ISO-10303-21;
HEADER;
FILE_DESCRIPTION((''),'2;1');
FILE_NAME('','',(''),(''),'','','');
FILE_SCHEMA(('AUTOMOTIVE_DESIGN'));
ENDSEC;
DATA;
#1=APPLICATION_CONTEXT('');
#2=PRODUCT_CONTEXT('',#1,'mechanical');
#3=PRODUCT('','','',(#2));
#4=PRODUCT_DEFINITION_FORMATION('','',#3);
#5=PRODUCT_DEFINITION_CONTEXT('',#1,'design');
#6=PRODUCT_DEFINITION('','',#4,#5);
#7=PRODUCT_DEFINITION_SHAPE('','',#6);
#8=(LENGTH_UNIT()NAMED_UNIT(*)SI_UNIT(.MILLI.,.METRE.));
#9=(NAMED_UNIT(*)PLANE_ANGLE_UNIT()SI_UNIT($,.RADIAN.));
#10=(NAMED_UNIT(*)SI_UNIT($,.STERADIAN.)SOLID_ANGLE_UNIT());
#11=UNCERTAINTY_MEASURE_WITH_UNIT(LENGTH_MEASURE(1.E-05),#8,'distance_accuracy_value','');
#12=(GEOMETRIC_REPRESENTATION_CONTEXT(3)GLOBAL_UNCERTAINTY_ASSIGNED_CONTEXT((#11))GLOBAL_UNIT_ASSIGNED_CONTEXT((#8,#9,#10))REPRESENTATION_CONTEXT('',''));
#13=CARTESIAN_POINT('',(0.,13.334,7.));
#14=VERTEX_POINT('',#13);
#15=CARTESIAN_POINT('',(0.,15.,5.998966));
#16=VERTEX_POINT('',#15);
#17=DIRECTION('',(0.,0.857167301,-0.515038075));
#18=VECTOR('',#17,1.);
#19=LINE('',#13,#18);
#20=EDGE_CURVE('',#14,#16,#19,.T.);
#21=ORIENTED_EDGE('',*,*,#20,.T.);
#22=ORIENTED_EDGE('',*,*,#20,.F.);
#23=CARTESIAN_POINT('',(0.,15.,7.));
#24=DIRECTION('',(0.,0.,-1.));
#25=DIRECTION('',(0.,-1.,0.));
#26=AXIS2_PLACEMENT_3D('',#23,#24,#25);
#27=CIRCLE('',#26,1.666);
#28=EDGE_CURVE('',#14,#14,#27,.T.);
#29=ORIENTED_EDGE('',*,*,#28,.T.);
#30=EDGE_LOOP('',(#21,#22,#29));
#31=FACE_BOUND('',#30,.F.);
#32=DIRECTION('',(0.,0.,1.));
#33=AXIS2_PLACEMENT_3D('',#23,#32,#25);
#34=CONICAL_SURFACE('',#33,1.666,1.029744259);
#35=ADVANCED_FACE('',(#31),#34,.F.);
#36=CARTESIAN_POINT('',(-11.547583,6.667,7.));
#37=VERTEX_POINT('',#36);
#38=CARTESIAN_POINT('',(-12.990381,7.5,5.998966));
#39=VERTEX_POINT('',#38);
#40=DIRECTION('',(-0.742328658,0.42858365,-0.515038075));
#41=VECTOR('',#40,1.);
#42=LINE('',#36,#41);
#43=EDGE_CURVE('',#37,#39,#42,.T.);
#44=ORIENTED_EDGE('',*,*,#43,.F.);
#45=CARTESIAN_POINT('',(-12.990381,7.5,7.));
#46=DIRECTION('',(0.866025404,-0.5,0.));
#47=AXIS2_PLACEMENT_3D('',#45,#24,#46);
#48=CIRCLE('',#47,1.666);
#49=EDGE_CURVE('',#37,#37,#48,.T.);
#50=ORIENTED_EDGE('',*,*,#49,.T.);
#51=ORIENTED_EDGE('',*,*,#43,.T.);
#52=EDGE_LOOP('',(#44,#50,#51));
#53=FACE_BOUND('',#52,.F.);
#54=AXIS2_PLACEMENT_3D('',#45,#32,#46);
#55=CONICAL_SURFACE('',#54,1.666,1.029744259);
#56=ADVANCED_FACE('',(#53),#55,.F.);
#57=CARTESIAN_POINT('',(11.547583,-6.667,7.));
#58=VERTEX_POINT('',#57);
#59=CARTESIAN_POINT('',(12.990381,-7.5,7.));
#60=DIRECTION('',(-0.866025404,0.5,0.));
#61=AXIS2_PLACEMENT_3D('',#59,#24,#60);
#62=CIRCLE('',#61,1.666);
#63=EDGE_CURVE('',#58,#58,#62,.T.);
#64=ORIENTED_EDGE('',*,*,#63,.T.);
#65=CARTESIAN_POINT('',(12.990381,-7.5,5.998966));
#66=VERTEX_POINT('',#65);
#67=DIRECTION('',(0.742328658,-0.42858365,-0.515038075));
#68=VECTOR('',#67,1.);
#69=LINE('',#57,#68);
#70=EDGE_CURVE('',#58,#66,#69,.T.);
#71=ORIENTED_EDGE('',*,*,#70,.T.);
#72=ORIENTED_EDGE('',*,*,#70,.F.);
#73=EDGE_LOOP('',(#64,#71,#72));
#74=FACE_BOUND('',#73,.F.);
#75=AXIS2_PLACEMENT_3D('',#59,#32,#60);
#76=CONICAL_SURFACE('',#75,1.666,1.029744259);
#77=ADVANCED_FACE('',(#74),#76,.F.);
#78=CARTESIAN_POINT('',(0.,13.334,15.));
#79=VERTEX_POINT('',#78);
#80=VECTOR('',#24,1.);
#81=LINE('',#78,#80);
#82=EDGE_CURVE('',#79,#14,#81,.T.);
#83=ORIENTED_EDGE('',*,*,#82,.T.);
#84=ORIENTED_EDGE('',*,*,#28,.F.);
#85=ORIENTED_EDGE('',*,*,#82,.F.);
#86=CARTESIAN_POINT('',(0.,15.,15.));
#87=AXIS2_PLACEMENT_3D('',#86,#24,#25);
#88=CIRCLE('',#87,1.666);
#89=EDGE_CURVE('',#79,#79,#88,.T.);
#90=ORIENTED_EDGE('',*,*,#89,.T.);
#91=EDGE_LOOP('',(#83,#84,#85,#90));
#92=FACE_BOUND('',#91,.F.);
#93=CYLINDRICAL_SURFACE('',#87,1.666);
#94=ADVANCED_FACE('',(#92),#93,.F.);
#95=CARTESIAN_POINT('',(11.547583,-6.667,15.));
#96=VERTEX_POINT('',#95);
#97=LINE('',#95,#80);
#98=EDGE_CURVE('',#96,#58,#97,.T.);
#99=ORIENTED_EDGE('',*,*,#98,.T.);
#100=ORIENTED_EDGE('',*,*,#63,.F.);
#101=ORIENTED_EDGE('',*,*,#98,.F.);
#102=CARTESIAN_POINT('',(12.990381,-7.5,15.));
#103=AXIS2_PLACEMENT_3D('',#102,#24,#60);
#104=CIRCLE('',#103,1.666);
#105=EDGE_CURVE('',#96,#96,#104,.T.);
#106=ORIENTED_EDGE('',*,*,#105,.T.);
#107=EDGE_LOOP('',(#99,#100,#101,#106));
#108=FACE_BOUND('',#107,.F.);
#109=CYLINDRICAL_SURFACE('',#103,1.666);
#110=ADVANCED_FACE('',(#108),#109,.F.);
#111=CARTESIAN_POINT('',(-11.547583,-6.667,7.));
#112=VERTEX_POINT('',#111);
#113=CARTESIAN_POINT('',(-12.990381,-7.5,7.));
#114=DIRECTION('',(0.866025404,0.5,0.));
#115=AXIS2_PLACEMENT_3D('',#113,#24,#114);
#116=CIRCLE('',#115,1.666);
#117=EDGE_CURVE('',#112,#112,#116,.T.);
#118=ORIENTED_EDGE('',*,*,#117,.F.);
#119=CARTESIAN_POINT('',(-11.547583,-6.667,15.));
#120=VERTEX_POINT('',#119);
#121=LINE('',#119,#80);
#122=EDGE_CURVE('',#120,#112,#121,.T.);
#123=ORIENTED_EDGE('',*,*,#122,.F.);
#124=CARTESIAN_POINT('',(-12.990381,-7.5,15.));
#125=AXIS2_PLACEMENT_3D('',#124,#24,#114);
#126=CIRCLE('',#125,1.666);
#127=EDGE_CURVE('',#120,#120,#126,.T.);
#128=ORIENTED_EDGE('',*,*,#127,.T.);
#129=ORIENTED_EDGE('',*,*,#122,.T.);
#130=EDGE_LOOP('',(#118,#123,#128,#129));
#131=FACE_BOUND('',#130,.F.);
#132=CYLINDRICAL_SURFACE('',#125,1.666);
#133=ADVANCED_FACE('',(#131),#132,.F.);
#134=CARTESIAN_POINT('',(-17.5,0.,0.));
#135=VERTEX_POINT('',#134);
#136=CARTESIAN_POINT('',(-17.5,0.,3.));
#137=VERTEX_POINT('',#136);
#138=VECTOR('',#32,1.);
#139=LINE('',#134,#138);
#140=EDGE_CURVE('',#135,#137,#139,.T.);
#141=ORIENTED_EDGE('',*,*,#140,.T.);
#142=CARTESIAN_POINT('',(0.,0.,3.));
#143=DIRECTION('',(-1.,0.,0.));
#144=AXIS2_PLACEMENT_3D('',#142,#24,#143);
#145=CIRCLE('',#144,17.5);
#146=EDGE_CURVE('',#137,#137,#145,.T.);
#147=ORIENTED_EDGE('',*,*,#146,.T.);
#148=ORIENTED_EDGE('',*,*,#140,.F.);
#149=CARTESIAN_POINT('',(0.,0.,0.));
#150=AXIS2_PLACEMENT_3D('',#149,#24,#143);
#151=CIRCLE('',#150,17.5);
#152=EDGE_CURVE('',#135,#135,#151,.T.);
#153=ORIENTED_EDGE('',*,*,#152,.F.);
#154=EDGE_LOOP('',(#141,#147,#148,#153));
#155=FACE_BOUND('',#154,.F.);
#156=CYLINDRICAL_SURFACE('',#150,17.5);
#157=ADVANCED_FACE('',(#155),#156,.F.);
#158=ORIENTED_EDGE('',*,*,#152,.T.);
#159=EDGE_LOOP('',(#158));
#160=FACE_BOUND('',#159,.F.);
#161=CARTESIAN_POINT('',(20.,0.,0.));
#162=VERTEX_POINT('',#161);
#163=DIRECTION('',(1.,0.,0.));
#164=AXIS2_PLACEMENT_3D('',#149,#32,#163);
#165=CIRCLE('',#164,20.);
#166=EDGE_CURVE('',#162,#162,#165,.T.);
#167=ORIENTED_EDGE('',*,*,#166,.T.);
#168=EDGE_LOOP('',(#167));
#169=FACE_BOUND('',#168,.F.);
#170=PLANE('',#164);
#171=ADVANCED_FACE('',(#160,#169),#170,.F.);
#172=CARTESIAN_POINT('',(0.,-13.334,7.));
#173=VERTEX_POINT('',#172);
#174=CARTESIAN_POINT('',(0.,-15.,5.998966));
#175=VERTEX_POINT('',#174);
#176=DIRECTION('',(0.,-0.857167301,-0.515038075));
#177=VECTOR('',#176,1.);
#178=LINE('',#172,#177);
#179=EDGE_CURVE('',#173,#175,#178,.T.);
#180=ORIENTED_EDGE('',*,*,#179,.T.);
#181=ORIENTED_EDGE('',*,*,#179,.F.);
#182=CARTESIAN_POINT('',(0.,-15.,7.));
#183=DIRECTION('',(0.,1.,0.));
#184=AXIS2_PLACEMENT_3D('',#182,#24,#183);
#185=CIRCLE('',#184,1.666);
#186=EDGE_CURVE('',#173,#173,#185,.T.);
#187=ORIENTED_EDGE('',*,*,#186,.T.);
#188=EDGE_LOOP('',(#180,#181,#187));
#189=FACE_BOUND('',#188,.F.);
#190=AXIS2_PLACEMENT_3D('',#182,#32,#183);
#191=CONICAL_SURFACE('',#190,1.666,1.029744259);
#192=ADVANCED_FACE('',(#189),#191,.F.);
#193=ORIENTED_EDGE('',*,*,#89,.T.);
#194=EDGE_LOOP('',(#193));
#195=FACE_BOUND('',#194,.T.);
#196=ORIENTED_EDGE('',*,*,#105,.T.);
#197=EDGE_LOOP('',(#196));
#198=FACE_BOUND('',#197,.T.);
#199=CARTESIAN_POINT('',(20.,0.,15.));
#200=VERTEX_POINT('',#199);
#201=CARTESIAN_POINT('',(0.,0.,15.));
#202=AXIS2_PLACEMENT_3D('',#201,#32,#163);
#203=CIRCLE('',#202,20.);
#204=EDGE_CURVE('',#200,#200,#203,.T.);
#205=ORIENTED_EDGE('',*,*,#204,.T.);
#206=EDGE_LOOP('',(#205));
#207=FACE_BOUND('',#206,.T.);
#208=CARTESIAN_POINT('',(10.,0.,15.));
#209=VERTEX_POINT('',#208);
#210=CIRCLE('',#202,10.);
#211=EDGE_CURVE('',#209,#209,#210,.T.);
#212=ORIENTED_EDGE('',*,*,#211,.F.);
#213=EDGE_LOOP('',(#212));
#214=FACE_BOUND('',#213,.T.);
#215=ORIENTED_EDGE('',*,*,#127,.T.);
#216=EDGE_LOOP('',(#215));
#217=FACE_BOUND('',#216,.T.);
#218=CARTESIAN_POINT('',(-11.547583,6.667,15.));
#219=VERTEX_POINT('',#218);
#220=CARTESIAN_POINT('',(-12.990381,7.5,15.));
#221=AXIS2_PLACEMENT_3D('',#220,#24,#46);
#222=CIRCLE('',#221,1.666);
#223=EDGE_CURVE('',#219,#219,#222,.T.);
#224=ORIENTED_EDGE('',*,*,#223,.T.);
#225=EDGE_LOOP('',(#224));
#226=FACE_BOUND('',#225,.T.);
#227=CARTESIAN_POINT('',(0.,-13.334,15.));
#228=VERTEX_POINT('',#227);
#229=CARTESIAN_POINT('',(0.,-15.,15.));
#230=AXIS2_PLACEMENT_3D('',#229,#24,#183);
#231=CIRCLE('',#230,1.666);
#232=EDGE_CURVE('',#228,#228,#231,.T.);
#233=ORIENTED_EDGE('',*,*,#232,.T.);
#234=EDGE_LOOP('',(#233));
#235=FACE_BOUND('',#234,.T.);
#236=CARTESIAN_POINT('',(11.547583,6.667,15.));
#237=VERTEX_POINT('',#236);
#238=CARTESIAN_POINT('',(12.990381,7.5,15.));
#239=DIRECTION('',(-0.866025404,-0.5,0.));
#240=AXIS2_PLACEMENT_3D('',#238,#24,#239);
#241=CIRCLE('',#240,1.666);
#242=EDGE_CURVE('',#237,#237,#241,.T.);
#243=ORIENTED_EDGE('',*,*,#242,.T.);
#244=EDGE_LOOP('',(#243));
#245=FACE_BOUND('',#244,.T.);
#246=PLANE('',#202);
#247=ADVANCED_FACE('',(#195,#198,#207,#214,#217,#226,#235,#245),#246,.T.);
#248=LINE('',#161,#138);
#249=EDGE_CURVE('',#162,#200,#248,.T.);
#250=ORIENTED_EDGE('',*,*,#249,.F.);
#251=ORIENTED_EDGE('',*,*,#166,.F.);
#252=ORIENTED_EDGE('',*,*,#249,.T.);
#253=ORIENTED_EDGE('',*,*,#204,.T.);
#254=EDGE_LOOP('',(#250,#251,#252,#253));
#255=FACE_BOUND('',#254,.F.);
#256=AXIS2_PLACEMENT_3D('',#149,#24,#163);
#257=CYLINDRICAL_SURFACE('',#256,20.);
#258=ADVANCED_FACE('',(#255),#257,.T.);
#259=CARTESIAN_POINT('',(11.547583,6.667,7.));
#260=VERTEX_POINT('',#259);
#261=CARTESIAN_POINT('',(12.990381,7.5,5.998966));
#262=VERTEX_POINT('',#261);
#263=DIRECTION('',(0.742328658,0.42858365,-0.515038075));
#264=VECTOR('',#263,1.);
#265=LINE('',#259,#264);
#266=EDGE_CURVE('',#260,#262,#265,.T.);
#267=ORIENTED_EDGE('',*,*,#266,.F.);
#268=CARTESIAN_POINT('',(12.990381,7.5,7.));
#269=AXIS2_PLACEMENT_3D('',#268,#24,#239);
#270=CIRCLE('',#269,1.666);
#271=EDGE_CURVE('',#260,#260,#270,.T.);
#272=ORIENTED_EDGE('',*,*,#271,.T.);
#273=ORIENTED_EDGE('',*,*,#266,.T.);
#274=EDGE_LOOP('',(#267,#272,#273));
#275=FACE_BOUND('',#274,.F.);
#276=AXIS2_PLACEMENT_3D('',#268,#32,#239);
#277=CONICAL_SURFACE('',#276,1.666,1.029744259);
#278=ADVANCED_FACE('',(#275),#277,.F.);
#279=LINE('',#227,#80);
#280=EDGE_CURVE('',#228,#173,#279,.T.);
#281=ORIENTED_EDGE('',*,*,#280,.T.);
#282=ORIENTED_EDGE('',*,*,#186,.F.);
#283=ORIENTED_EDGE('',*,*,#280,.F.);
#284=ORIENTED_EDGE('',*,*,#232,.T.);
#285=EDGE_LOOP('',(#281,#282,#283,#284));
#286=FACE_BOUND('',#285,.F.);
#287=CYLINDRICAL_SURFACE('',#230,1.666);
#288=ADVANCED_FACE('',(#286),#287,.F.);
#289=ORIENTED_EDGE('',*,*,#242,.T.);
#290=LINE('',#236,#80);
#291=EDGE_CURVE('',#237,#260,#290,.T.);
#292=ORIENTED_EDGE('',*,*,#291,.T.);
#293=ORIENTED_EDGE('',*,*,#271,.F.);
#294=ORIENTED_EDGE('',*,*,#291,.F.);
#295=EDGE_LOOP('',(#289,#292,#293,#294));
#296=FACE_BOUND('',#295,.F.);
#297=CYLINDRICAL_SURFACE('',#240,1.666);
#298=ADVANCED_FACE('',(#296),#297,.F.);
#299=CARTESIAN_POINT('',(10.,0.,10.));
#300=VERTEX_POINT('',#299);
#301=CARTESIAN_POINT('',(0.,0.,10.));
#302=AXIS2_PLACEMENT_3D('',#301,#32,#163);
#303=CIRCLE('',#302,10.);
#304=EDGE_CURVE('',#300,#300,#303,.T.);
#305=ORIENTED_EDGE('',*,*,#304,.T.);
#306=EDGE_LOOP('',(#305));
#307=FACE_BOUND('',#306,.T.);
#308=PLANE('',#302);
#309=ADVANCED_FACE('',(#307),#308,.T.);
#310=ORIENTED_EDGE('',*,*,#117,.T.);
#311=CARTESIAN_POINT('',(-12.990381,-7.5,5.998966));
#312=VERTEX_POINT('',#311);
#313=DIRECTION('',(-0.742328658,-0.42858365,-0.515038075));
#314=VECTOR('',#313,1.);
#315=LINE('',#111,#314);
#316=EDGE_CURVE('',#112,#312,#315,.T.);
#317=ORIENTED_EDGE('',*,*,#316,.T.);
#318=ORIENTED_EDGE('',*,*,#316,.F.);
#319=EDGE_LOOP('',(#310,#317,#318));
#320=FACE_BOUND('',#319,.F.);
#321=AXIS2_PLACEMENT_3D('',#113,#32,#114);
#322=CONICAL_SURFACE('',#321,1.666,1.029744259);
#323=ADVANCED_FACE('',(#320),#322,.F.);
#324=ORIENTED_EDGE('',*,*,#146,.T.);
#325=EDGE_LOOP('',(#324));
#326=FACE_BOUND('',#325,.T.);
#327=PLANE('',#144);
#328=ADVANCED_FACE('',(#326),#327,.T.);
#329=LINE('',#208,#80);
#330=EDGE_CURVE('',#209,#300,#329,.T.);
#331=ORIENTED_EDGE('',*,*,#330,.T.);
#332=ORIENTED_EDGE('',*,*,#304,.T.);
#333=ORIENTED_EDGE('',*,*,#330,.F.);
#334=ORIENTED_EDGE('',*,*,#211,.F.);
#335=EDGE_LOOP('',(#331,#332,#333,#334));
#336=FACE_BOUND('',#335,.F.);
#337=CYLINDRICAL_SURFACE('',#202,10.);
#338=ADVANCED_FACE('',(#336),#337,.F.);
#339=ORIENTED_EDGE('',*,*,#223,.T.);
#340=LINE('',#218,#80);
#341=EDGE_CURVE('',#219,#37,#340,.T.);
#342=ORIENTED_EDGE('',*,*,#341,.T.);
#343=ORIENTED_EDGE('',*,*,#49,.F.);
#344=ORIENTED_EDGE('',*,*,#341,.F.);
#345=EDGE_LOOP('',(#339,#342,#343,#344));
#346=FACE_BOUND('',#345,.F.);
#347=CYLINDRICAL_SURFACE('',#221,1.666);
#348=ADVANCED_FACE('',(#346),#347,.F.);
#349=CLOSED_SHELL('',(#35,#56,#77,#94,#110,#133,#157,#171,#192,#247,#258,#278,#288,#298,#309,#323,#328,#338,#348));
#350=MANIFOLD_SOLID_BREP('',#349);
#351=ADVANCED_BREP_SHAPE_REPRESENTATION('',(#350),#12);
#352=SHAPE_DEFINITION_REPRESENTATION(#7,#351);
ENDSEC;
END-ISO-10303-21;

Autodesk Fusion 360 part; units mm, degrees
sketch "Sketch1" plane through (0, 0, 0) normal (0, 0, 1) x (1, 0, 0)
  circle A0 centre (0, 0) radius 20
  dimension "d1" = 40
extrude "Extrude1" add sketch "Sketch1" along normal blind 15
sketch "Sketch2" plane through (0, 0, 15) normal (0, 0, 1) x (1, 0, 0)
  circle A0 centre (0, 0) radius 20
  circle A1 centre (0, 0) radius 10
  dimension "d4" = 20
extrude "Extrude2" cut sketch "Sketch2" against normal blind 5 contours A1
sketch "Sketch3" plane through (0, 0, 15) normal (0, 0, 1) x (1, 0, 0)
  circle A0 centre (0, 0) radius 10
  circle A1 centre (0, 0) radius 20
  point P0 (0, 15)
  dimension "d7" = 15
hole "Hole1" at (0, 15, 15) direction (0, 0, -1) diameter 3.332 depth 8 tip angle 118
pattern_circular "C-Pattern1" count 6 over 360 about axis through (0, 0, 1.75) along (0, 0, 1) of "Hole1"
sketch "Sketch4" plane through (0, 0, 0) normal (0, 0, -1) x (-1, 0, 0)
  circle A0 centre (0, 0) radius 20
  circle A1 centre (0, 0) radius 17.5
  dimension "d13" = 35
extrude "Extrude3" cut sketch "Sketch4" against normal blind 3 contours A1
